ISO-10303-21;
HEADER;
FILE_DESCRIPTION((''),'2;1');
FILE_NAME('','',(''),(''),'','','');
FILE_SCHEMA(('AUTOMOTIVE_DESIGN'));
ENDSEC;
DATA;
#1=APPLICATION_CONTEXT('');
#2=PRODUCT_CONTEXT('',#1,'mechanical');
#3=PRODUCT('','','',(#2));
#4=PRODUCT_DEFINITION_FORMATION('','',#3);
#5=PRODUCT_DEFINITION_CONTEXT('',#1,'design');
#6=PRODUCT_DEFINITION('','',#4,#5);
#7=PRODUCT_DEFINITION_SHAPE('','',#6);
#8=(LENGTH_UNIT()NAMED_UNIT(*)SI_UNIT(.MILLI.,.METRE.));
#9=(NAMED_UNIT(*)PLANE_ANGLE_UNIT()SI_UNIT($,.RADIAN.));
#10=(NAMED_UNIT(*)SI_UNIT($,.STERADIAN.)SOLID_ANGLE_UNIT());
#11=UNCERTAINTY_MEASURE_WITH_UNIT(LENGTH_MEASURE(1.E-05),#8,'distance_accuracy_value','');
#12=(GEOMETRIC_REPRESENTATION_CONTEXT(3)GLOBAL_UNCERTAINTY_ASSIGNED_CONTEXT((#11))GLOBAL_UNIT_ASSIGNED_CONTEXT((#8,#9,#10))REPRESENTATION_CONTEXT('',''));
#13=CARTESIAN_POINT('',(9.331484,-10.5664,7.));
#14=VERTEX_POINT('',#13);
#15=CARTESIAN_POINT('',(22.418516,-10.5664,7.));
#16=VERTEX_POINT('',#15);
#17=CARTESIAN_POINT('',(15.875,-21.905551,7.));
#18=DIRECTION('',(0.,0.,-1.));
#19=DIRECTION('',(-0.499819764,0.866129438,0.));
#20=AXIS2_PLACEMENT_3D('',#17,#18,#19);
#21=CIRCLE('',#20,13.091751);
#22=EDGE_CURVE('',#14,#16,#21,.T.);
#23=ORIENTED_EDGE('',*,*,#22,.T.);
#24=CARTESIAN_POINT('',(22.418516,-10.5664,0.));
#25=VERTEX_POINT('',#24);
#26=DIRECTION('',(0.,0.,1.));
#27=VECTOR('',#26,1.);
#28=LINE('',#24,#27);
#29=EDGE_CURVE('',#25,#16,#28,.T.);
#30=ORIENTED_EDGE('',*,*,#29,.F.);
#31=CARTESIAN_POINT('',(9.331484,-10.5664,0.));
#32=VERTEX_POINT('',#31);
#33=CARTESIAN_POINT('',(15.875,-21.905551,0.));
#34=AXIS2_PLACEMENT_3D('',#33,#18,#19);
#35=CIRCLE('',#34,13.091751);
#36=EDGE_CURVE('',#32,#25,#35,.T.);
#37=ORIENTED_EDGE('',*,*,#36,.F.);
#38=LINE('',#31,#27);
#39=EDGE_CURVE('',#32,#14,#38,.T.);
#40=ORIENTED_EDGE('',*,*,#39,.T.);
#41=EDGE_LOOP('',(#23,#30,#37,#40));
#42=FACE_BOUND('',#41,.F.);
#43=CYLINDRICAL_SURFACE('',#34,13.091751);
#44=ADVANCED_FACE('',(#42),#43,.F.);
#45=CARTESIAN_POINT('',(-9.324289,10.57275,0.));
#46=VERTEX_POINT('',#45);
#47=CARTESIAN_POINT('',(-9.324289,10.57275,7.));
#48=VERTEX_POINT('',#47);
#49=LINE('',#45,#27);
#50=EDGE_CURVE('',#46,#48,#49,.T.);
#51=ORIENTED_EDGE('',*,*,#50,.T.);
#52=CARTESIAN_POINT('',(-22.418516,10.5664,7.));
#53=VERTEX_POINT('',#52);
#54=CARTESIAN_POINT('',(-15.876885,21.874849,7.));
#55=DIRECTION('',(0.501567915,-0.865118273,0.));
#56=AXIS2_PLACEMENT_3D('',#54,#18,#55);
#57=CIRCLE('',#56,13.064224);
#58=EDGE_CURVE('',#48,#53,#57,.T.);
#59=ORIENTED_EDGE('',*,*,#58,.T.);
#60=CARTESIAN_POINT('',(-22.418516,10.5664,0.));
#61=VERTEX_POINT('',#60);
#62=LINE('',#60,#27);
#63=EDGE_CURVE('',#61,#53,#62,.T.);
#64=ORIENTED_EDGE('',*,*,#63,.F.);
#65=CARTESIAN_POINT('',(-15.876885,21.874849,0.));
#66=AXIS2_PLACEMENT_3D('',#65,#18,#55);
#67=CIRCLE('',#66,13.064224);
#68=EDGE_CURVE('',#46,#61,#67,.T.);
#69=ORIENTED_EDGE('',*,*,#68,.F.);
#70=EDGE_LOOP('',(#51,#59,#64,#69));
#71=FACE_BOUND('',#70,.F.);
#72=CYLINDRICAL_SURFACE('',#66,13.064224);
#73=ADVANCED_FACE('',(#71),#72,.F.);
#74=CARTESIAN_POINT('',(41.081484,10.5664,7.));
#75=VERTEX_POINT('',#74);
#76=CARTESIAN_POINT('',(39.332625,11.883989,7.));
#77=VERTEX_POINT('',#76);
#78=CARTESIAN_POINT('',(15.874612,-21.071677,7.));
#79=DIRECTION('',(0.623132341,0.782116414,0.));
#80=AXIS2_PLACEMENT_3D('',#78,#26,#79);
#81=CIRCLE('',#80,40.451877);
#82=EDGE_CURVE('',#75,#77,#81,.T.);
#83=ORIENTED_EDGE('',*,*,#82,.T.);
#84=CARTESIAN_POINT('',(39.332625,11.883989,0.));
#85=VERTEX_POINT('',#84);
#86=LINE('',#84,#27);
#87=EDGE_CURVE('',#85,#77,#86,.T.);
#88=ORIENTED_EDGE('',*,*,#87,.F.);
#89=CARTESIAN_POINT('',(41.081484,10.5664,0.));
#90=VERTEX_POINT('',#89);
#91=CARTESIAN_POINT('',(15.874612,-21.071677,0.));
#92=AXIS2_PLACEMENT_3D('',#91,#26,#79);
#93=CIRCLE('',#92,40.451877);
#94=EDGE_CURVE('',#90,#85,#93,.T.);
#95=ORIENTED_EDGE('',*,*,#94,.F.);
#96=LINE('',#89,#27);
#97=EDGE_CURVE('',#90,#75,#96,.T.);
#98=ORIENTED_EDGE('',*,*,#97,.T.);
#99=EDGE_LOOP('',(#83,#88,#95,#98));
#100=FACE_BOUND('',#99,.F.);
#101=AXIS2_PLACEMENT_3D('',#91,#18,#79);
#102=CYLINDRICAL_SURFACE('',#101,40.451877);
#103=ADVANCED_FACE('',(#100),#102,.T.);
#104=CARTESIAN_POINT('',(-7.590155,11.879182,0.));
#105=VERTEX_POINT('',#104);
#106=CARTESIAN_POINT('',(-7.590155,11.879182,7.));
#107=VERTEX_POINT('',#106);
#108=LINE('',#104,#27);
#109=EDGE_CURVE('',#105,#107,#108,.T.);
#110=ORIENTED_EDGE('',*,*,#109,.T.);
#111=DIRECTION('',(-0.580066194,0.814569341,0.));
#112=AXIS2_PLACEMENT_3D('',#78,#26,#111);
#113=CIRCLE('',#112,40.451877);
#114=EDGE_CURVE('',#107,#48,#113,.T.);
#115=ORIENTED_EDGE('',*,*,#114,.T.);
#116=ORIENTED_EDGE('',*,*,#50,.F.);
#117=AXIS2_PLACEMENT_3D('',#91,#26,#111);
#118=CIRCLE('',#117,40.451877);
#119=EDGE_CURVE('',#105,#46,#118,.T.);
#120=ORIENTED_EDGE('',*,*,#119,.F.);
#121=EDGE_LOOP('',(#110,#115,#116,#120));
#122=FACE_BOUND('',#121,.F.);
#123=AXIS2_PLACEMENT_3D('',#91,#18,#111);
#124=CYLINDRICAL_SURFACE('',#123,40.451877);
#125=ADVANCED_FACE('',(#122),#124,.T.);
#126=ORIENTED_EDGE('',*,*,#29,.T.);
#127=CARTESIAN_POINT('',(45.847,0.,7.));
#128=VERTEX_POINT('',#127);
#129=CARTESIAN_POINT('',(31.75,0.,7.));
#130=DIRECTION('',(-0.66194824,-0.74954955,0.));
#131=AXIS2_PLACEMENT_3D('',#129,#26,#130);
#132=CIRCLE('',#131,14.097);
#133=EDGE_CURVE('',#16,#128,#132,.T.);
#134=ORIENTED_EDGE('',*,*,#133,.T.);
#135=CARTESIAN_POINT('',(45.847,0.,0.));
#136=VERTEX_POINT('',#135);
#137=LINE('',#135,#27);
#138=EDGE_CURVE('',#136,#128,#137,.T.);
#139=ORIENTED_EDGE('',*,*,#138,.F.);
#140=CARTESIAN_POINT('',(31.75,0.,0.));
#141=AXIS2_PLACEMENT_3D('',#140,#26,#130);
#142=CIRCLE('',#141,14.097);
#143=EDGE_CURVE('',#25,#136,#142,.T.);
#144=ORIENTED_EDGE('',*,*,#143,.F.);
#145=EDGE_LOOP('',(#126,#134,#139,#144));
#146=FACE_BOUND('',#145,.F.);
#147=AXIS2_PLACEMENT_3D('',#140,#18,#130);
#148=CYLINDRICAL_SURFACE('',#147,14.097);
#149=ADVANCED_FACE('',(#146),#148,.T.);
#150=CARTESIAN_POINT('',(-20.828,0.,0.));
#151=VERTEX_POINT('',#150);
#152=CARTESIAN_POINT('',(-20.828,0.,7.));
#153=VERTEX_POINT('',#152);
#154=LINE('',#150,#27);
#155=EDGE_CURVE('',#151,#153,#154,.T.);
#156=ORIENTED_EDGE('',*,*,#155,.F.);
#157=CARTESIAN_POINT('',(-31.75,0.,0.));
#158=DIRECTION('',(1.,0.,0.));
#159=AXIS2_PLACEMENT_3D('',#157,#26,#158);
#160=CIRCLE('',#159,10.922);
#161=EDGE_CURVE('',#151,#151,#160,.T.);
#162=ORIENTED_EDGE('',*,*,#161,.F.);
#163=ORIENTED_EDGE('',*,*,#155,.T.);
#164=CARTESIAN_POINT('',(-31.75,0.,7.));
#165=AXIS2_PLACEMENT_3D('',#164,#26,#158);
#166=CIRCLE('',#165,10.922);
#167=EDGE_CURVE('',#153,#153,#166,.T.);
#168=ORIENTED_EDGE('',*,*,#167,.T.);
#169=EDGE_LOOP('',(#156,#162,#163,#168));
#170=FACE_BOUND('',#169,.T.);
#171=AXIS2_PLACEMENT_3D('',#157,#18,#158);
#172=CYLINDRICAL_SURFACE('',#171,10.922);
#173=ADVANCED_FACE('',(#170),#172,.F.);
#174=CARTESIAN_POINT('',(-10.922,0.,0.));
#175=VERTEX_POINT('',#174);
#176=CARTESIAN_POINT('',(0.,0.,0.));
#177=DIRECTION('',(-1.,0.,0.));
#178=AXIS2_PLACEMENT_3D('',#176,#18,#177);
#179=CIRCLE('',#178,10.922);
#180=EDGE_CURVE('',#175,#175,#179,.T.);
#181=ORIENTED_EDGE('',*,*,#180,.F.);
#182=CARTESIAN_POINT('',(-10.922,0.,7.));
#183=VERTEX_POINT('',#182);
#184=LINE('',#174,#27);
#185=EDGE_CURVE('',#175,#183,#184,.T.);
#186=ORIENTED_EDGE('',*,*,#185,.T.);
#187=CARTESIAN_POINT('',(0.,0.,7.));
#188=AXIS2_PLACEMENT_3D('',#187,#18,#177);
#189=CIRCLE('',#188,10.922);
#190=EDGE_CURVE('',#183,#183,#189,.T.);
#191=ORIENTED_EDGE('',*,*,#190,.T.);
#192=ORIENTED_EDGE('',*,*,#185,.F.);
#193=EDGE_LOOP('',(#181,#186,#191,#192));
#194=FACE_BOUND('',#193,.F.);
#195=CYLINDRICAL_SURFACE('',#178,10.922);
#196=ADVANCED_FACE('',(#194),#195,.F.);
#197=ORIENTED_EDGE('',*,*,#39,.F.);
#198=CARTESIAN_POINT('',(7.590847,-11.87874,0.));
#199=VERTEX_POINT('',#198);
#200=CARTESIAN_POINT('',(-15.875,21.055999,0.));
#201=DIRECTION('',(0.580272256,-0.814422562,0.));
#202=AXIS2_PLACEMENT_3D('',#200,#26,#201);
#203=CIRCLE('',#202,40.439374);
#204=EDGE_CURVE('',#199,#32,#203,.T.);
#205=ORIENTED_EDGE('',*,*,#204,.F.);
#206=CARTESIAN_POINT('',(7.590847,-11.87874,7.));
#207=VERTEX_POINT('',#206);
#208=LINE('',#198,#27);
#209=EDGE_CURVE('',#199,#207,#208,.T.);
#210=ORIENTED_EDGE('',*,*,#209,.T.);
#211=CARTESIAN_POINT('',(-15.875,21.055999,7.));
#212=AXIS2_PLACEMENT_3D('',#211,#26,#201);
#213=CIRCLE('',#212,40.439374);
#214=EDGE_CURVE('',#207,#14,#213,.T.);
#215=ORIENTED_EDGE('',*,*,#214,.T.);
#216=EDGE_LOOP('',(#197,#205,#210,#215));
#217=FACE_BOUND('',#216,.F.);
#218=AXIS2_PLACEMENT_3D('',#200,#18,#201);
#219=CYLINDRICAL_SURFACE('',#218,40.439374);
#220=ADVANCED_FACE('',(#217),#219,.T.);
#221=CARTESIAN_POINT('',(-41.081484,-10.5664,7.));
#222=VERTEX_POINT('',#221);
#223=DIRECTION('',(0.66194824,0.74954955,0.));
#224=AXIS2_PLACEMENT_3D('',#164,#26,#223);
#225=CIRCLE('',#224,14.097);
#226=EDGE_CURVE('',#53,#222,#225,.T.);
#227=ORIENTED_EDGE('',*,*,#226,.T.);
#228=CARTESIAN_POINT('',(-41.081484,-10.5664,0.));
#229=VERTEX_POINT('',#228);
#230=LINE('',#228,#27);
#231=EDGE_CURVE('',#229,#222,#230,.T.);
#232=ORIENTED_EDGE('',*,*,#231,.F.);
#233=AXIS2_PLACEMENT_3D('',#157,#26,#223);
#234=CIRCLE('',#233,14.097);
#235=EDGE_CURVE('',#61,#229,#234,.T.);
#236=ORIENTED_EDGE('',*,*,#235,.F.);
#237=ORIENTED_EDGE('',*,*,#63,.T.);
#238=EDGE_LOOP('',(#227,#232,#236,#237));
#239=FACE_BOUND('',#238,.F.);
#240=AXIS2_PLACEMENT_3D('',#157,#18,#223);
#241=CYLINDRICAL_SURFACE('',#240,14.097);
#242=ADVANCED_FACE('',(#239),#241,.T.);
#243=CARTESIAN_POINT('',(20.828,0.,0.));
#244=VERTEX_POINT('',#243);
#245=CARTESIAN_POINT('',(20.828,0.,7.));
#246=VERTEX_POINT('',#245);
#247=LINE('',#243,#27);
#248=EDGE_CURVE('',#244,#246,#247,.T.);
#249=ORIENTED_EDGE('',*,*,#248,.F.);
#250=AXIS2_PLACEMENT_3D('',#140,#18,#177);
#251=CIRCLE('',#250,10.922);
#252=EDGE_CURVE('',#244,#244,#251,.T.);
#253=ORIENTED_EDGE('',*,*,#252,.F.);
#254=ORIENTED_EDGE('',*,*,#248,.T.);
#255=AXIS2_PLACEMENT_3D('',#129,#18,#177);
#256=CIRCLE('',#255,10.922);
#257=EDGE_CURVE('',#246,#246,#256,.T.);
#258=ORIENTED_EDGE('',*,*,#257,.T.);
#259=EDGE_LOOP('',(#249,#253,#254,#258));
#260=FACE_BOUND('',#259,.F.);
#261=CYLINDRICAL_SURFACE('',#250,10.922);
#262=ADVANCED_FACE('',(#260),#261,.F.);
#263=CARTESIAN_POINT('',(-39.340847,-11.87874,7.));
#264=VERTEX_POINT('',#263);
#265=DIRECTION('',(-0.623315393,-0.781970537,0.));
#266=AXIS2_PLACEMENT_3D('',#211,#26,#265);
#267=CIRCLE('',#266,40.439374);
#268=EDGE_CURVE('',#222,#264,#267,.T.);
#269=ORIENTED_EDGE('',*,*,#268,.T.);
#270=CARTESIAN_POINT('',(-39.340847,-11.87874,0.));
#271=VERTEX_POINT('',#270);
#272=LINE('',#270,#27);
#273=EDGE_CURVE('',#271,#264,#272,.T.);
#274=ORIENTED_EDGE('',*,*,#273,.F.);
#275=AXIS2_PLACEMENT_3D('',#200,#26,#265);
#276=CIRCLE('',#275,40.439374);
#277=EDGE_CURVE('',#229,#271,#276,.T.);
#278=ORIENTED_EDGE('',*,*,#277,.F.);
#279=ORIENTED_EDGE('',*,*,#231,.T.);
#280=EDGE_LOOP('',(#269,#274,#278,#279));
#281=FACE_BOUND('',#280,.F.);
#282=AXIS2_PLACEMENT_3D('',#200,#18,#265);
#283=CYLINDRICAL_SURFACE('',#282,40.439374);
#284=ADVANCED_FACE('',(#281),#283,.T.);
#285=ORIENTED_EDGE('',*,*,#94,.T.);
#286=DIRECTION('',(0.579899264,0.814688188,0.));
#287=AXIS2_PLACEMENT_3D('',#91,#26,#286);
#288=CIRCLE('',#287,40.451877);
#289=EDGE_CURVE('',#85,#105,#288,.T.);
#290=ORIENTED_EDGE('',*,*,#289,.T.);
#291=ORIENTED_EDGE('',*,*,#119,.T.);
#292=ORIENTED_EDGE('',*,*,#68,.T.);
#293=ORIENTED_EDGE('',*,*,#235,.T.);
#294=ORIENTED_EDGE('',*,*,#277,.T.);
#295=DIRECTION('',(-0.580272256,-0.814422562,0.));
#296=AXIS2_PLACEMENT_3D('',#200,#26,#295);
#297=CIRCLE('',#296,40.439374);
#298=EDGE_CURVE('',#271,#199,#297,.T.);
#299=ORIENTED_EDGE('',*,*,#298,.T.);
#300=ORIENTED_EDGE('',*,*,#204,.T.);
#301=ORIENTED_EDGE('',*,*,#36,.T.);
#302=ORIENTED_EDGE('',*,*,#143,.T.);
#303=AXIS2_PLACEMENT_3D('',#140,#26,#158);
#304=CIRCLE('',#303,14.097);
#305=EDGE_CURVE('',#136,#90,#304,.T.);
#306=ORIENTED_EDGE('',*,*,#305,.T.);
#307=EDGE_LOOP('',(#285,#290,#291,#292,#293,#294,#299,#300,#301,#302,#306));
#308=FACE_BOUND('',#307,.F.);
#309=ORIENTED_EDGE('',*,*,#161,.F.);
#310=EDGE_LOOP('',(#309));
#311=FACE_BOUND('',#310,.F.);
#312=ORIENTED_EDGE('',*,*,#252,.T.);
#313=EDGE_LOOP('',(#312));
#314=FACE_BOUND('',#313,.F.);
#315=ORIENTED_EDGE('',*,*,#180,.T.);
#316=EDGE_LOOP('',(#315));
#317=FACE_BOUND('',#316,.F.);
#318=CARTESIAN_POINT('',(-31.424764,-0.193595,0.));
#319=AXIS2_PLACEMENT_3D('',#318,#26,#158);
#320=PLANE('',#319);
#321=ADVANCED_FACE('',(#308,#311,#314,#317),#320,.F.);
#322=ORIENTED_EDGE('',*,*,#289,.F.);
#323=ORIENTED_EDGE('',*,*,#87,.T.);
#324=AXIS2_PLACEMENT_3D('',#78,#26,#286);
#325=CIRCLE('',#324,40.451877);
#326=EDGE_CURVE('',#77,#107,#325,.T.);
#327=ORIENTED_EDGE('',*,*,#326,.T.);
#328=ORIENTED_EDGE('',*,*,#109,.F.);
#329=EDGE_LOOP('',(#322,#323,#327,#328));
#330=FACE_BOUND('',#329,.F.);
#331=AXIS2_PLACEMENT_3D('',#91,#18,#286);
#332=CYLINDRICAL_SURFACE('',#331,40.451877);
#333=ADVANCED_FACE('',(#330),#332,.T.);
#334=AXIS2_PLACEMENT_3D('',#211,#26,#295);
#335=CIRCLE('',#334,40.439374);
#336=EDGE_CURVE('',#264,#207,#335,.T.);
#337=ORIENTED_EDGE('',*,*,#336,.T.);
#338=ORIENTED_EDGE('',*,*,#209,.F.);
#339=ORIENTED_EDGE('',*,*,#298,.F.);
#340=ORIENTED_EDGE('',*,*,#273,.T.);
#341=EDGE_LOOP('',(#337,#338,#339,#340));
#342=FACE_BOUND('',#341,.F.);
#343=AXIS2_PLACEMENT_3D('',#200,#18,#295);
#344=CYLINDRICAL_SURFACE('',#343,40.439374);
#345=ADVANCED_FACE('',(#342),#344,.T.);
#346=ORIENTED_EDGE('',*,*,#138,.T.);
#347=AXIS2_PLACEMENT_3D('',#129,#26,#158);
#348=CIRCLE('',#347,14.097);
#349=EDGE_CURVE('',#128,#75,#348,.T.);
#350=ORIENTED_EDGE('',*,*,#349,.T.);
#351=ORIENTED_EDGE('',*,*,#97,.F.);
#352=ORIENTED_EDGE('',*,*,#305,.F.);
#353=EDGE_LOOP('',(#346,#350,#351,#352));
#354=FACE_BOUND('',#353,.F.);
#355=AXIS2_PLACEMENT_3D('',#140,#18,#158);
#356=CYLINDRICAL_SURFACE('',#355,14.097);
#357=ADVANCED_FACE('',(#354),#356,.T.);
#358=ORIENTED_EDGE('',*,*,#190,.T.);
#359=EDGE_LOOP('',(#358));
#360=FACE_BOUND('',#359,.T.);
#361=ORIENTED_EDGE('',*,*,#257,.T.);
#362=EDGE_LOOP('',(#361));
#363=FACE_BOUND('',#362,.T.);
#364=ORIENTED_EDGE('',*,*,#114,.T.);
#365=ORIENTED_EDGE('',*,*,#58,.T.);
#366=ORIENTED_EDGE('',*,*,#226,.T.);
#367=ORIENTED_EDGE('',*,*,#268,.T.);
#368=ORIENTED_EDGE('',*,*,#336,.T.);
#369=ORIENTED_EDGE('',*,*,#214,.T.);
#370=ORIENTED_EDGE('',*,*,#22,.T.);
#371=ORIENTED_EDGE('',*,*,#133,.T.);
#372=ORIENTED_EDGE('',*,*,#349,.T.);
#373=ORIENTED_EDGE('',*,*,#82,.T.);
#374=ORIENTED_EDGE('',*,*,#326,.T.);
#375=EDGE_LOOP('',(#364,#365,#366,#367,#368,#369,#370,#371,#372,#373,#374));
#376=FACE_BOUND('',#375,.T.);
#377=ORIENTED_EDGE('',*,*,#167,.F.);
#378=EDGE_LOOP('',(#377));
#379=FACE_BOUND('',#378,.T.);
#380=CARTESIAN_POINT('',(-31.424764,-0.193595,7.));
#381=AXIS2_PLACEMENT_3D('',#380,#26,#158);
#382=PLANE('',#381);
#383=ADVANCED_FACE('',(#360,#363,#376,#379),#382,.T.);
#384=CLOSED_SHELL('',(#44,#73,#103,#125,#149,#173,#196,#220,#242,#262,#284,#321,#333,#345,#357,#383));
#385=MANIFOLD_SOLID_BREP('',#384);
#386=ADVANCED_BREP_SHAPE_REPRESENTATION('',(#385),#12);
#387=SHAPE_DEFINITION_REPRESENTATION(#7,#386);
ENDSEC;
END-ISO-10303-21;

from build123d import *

# Parameters (mm, degrees)
F0_R     = 10.922
F1_DEPTH = 7


with BuildPart() as f1:
    # F0 (on Top) → F1 (new body)
    with BuildSketch(Plane.XY):
        with BuildLine():
            ThreePointArc((-39.3408468404, -11.8787395478), (-24.9781006693, -12.3639309467), (-17.653, 0))
            ThreePointArc((-17.653, 0), (-18.8994874853, 5.7956653725), (-22.4185156572, 10.5664))
            ThreePointArc((-22.4185156572, 10.5664), (-42.3164, 9.3314843428), (-41.0814843428, -10.5664))
            ThreePointArc((-41.0814843428, -10.5664), (-40.2200100529, -11.2343007326), (-39.3408468404, -11.8787395478))
        make_face()
        with Locations((-31.75, 0)):
            Circle(F0_R, mode=Mode.SUBTRACT)
        with BuildLine():
            Line((-17.653, 0), (-14.097, 0))
            ThreePointArc((-14.097, 0), (-12.848539058, 5.800039058), (-9.324289058, 10.57275))
            ThreePointArc((-9.324289058, 10.57275), (-15.8705493616, 8.8106264002), (-22.4185156572, 10.5664))
            ThreePointArc((-22.4185156572, 10.5664), (-18.8994874853, 5.7956653725), (-17.653, 0))
        make_face()
        with BuildLine():
            ThreePointArc((7.5908468404, -11.8787395478), (-6.7718993307, -12.3639309467), (-14.097, 0))
            Line((-14.097, 0), (-17.653, 0))
            ThreePointArc((-17.653, 0), (-24.9781006693, -12.3639309467), (-39.3408468404, -11.8787395478))
            ThreePointArc((-39.3408468404, -11.8787395478), (-15.875, -19.383375), (7.5908468404, -11.8787395478))
        make_face()
        with BuildLine():
            Line((14.097, 0), (10.922, 0))
            ThreePointArc((10.922, 0), (0, -10.922), (-10.922, 0))
            Line((-10.922, 0), (-14.097, 0))
            ThreePointArc((-14.097, 0), (-6.7718993307, -12.3639309467), (7.5908468404, -11.8787395478))
            ThreePointArc((7.5908468404, -11.8787395478), (8.4700100529, -11.2343007326), (9.3314843428, -10.5664))
            ThreePointArc((9.3314843428, -10.5664), (12.8505125147, -5.7956653725), (14.097, 0))
        make_face()
        with BuildLine():
            ThreePointArc((-10.922, 0), (0, 10.922), (10.922, 0))
            Line((10.922, 0), (14.097, 0))
            ThreePointArc((14.097, 0), (6.7722595018, 12.3637336691), (-7.5901547478, 11.879181786))
            ThreePointArc((-7.5901547478, 11.879181786), (-8.4659884875, 11.2376025013), (-9.324289058, 10.57275))
            ThreePointArc((-9.324289058, 10.57275), (-12.848539058, 5.800039058), (-14.097, 0))
            Line((-14.097, 0), (-10.922, 0))
        make_face()
        with BuildLine():
            ThreePointArc((-7.5901547478, 11.879181786), (6.7722595018, 12.3637336691), (14.097, 0))
            Line((14.097, 0), (17.653, 0))
            ThreePointArc((17.653, 0), (24.9738232973, 12.3615872077), (39.3326252102, 11.8839893942))
            ThreePointArc((39.3326252102, 11.8839893942), (15.8704669391, 19.3801997895), (-7.5901547478, 11.879181786))
        make_face()
        with BuildLine():
            Line((17.653, 0), (14.097, 0))
            ThreePointArc((14.097, 0), (12.8505125147, -5.7956653725), (9.3314843428, -10.5664))
            ThreePointArc((9.3314843428, -10.5664), (15.875, -8.8138), (22.4185156572, -10.5664))
            ThreePointArc((22.4185156572, -10.5664), (18.8994874853, -5.7956653725), (17.653, 0))
        make_face()
        with BuildLine():
            ThreePointArc((39.3326252102, 11.8839893942), (24.9738232973, 12.3615872077), (17.653, 0))
            ThreePointArc((17.653, 0), (18.8994874853, -5.7956653725), (22.4185156572, -10.5664))
            ThreePointArc((22.4185156572, -10.5664), (37.5456653725, -12.8505125147), (45.847, 0))
            ThreePointArc((45.847, 0), (44.6005125147, 5.7956653725), (41.0814843428, 10.5664))
            ThreePointArc((41.0814843428, 10.5664), (40.2159714919, 11.2370300074), (39.3326252102, 11.8839893942))
        make_face()
        with BuildLine():
            ThreePointArc((42.672, 0), (31.75, -10.922), (20.828, 0))
            ThreePointArc((20.828, 0), (31.75, 10.922), (42.672, 0))
        make_face(mode=Mode.SUBTRACT)
    extrude(amount=F1_DEPTH)


solid = f1.part
